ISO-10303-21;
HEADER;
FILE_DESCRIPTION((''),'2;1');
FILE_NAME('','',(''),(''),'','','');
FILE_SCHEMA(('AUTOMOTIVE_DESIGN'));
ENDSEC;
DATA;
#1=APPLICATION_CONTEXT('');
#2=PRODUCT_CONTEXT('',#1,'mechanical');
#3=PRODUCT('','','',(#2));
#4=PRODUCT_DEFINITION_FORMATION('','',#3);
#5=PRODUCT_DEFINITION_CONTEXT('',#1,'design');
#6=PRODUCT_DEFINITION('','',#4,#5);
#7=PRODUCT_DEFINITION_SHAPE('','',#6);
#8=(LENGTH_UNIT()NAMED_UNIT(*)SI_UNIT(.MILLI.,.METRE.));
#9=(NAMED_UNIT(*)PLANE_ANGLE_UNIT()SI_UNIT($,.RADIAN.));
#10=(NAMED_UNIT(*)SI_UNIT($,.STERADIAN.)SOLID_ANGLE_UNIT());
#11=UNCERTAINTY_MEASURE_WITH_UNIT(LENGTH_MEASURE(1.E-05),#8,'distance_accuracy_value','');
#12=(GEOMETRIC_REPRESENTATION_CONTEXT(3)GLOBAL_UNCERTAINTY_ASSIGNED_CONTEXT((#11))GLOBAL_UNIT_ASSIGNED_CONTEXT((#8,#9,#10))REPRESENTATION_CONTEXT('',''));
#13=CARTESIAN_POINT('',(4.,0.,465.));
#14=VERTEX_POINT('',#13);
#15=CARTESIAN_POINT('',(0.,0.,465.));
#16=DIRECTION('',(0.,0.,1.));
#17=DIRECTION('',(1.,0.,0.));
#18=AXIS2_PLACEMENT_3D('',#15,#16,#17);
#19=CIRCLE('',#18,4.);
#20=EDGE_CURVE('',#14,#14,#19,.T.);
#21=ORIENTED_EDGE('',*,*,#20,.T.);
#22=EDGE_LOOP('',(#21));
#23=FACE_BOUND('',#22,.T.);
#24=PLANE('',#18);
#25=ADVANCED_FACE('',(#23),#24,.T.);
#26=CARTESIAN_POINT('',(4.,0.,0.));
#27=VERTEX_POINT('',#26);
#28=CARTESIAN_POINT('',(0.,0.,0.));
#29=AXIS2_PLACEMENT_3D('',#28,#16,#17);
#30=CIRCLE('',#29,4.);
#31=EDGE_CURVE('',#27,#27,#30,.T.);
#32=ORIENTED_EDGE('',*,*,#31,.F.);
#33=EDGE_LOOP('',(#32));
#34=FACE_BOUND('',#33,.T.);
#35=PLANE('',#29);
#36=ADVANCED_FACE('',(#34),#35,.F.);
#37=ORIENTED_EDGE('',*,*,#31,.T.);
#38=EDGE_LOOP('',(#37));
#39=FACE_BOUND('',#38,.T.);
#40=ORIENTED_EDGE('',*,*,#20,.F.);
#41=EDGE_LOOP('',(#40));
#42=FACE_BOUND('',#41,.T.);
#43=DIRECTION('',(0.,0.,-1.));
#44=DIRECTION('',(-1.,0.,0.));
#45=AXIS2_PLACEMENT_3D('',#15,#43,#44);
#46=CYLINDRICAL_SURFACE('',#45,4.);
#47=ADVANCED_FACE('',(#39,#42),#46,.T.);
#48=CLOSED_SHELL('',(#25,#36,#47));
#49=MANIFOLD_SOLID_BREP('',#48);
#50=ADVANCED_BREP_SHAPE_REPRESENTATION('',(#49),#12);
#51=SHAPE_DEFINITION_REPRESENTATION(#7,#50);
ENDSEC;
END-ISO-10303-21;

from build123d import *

# Parameters (mm, degrees)
SKETCH_1_R      = 4
EXTRUDE_1_DEPTH = 465


with BuildPart() as part:
    # 草图1 → 凸台-拉伸1 (new body)
    with BuildSketch(Plane.XY):
        Circle(SKETCH_1_R)
    extrude(amount=EXTRUDE_1_DEPTH)


solid = part.part
